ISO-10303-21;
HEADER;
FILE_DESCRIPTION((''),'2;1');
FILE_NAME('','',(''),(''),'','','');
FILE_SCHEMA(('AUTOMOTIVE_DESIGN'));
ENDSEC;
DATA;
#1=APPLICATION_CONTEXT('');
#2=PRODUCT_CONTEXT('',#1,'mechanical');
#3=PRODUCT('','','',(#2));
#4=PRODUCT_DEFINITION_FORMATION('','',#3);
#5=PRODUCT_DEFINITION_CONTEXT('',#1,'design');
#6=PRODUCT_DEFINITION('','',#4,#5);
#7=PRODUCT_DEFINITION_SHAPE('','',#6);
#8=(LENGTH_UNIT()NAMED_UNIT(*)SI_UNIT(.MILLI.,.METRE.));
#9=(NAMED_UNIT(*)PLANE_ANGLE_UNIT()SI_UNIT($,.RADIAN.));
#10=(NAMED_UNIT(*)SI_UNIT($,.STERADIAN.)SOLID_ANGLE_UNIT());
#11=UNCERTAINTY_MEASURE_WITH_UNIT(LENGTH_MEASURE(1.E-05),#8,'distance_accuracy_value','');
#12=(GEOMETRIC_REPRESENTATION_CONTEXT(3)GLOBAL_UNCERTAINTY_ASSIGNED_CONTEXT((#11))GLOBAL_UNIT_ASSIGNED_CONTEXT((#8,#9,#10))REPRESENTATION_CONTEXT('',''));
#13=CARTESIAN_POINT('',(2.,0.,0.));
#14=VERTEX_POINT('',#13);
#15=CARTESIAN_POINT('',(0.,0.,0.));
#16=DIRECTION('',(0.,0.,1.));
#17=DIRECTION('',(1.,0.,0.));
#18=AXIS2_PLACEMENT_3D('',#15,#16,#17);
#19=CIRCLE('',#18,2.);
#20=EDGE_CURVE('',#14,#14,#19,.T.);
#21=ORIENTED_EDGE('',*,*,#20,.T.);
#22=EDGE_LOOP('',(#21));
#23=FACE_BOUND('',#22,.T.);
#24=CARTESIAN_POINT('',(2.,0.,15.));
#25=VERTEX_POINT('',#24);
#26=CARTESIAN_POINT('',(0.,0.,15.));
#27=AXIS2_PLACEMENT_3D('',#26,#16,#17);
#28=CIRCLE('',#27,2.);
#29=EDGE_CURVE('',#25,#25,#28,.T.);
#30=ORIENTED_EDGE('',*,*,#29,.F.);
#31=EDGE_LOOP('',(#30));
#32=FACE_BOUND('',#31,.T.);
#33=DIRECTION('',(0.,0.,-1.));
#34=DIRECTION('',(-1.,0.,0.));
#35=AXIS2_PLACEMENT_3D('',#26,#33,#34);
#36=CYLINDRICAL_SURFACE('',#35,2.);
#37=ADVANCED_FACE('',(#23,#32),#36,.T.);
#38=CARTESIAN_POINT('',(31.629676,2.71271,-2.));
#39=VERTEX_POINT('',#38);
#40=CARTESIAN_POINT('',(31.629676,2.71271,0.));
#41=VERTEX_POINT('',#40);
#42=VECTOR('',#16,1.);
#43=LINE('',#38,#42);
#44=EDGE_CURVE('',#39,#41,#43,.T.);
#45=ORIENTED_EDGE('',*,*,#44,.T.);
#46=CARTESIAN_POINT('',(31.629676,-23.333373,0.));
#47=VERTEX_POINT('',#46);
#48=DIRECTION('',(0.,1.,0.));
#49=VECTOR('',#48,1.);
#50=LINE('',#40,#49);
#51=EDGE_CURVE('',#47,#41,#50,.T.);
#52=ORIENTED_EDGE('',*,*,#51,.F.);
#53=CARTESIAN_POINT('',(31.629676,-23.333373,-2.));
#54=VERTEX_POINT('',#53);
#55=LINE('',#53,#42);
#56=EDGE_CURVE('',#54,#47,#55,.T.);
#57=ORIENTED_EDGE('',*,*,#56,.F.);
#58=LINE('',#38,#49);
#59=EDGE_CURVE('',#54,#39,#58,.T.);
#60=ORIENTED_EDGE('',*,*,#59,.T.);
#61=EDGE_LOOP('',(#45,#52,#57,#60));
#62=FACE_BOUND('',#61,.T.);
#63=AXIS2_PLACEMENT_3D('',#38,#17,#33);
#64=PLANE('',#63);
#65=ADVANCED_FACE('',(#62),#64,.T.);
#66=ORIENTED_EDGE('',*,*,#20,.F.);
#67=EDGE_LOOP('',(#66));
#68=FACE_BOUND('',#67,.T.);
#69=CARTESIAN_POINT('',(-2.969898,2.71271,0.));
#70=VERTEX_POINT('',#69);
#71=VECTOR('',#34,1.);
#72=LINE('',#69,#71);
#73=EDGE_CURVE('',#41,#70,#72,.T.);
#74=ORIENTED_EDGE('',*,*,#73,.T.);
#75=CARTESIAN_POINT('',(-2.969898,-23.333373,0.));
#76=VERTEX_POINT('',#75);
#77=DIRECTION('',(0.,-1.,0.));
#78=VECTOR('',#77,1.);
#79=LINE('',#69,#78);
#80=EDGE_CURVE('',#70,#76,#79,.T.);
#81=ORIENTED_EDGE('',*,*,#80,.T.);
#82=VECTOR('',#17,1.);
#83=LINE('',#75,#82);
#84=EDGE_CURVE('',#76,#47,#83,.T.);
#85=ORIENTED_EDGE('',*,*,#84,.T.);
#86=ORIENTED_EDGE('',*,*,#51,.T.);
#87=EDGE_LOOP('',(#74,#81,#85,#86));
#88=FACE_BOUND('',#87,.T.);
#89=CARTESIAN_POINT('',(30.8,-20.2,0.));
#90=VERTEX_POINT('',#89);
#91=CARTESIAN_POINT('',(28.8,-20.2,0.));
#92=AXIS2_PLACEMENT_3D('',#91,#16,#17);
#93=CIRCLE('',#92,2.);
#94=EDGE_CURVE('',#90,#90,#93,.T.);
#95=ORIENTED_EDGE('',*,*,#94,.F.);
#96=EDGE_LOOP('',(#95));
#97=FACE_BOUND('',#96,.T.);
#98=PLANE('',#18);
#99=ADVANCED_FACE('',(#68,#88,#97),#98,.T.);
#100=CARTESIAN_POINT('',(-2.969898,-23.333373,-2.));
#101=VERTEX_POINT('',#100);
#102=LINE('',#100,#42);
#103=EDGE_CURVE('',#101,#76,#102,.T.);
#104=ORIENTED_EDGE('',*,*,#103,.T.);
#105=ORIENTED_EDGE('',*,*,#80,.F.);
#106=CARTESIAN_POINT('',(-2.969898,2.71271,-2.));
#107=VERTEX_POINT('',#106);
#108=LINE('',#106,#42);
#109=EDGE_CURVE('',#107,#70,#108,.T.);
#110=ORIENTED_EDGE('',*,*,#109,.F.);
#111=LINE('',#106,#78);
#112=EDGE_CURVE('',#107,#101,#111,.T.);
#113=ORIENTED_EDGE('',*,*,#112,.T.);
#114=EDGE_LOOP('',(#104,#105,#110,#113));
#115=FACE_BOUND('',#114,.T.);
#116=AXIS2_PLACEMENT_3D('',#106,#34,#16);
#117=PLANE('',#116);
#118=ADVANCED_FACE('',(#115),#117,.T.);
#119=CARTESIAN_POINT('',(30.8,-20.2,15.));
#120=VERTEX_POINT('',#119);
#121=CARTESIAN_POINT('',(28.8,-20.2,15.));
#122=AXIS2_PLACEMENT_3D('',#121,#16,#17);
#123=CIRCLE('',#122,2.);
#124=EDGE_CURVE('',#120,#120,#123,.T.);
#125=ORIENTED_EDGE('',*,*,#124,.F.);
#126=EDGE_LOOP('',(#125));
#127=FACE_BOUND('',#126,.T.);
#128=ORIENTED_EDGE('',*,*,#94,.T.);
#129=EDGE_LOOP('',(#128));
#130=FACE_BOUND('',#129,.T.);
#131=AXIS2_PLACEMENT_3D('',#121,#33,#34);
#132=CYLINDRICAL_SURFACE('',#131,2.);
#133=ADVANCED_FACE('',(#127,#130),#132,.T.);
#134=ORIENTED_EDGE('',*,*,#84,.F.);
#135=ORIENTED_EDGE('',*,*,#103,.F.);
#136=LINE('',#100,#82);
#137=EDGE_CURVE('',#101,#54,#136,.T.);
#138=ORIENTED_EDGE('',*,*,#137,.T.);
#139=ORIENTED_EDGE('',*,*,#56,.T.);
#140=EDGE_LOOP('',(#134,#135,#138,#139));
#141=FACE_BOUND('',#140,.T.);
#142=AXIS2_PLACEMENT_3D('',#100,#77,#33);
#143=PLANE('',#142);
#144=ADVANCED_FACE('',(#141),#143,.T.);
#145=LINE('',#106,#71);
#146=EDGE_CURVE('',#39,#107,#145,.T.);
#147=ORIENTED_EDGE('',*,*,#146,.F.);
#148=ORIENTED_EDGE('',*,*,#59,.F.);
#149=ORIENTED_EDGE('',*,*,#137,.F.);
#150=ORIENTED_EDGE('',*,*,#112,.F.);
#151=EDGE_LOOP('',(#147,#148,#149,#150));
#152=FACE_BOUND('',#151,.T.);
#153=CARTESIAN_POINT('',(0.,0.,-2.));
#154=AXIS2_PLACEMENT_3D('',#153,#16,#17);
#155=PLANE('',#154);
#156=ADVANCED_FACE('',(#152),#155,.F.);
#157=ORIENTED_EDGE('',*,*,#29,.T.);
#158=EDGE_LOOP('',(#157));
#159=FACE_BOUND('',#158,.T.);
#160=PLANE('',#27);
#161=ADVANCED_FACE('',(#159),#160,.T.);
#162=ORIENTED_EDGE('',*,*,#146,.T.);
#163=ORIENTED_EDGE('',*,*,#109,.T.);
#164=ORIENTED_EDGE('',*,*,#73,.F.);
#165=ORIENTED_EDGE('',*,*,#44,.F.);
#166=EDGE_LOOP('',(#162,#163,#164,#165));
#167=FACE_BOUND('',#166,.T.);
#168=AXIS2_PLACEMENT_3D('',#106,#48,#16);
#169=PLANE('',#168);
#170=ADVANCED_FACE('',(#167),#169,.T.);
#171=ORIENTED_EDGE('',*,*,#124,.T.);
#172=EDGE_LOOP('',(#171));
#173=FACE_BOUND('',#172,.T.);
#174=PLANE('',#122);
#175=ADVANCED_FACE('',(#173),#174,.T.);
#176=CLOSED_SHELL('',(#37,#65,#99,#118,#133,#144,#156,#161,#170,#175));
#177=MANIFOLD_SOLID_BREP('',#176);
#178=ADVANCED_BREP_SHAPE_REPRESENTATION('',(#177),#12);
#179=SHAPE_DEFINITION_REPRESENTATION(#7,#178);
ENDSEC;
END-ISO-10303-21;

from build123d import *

# Parameters (mm, degrees)
SKETCH1_R             = 2
BOSS_EXTRUDE1_DEPTH   = 15
BOSS_EXTRUDE1_2_DEPTH = 15
SKETCH2_W             = 34.599574116
SKETCH2_H             = 26.046082642
BOSS_EXTRUDE2_DEPTH   = 2


with BuildPart() as part:
    # Sketch1 → Boss-Extrude1 (new body)
    with BuildSketch(Plane.XY):
        Circle(SKETCH1_R)
    extrude(amount=BOSS_EXTRUDE1_DEPTH)



with BuildPart() as body_2:
    # Sketch1 → Boss-Extrude1 2 (new body)
    with BuildSketch(Plane.XY):
        with Locations((28.8, -20.2)):
            Circle(SKETCH1_R)
    extrude(amount=BOSS_EXTRUDE1_2_DEPTH)


with BuildPart() as part_1:
    add(part.part)

    add(body_2.part)  # Boss-Extrude2 merges body 2
    # Sketch2 → Boss-Extrude2 (add)
    with BuildSketch(Plane.XY):
        with Locations((14.329889414, -10.310331758)):
            Rectangle(SKETCH2_W, SKETCH2_H)
    extrude(amount=-BOSS_EXTRUDE2_DEPTH)


solid = part_1.part
